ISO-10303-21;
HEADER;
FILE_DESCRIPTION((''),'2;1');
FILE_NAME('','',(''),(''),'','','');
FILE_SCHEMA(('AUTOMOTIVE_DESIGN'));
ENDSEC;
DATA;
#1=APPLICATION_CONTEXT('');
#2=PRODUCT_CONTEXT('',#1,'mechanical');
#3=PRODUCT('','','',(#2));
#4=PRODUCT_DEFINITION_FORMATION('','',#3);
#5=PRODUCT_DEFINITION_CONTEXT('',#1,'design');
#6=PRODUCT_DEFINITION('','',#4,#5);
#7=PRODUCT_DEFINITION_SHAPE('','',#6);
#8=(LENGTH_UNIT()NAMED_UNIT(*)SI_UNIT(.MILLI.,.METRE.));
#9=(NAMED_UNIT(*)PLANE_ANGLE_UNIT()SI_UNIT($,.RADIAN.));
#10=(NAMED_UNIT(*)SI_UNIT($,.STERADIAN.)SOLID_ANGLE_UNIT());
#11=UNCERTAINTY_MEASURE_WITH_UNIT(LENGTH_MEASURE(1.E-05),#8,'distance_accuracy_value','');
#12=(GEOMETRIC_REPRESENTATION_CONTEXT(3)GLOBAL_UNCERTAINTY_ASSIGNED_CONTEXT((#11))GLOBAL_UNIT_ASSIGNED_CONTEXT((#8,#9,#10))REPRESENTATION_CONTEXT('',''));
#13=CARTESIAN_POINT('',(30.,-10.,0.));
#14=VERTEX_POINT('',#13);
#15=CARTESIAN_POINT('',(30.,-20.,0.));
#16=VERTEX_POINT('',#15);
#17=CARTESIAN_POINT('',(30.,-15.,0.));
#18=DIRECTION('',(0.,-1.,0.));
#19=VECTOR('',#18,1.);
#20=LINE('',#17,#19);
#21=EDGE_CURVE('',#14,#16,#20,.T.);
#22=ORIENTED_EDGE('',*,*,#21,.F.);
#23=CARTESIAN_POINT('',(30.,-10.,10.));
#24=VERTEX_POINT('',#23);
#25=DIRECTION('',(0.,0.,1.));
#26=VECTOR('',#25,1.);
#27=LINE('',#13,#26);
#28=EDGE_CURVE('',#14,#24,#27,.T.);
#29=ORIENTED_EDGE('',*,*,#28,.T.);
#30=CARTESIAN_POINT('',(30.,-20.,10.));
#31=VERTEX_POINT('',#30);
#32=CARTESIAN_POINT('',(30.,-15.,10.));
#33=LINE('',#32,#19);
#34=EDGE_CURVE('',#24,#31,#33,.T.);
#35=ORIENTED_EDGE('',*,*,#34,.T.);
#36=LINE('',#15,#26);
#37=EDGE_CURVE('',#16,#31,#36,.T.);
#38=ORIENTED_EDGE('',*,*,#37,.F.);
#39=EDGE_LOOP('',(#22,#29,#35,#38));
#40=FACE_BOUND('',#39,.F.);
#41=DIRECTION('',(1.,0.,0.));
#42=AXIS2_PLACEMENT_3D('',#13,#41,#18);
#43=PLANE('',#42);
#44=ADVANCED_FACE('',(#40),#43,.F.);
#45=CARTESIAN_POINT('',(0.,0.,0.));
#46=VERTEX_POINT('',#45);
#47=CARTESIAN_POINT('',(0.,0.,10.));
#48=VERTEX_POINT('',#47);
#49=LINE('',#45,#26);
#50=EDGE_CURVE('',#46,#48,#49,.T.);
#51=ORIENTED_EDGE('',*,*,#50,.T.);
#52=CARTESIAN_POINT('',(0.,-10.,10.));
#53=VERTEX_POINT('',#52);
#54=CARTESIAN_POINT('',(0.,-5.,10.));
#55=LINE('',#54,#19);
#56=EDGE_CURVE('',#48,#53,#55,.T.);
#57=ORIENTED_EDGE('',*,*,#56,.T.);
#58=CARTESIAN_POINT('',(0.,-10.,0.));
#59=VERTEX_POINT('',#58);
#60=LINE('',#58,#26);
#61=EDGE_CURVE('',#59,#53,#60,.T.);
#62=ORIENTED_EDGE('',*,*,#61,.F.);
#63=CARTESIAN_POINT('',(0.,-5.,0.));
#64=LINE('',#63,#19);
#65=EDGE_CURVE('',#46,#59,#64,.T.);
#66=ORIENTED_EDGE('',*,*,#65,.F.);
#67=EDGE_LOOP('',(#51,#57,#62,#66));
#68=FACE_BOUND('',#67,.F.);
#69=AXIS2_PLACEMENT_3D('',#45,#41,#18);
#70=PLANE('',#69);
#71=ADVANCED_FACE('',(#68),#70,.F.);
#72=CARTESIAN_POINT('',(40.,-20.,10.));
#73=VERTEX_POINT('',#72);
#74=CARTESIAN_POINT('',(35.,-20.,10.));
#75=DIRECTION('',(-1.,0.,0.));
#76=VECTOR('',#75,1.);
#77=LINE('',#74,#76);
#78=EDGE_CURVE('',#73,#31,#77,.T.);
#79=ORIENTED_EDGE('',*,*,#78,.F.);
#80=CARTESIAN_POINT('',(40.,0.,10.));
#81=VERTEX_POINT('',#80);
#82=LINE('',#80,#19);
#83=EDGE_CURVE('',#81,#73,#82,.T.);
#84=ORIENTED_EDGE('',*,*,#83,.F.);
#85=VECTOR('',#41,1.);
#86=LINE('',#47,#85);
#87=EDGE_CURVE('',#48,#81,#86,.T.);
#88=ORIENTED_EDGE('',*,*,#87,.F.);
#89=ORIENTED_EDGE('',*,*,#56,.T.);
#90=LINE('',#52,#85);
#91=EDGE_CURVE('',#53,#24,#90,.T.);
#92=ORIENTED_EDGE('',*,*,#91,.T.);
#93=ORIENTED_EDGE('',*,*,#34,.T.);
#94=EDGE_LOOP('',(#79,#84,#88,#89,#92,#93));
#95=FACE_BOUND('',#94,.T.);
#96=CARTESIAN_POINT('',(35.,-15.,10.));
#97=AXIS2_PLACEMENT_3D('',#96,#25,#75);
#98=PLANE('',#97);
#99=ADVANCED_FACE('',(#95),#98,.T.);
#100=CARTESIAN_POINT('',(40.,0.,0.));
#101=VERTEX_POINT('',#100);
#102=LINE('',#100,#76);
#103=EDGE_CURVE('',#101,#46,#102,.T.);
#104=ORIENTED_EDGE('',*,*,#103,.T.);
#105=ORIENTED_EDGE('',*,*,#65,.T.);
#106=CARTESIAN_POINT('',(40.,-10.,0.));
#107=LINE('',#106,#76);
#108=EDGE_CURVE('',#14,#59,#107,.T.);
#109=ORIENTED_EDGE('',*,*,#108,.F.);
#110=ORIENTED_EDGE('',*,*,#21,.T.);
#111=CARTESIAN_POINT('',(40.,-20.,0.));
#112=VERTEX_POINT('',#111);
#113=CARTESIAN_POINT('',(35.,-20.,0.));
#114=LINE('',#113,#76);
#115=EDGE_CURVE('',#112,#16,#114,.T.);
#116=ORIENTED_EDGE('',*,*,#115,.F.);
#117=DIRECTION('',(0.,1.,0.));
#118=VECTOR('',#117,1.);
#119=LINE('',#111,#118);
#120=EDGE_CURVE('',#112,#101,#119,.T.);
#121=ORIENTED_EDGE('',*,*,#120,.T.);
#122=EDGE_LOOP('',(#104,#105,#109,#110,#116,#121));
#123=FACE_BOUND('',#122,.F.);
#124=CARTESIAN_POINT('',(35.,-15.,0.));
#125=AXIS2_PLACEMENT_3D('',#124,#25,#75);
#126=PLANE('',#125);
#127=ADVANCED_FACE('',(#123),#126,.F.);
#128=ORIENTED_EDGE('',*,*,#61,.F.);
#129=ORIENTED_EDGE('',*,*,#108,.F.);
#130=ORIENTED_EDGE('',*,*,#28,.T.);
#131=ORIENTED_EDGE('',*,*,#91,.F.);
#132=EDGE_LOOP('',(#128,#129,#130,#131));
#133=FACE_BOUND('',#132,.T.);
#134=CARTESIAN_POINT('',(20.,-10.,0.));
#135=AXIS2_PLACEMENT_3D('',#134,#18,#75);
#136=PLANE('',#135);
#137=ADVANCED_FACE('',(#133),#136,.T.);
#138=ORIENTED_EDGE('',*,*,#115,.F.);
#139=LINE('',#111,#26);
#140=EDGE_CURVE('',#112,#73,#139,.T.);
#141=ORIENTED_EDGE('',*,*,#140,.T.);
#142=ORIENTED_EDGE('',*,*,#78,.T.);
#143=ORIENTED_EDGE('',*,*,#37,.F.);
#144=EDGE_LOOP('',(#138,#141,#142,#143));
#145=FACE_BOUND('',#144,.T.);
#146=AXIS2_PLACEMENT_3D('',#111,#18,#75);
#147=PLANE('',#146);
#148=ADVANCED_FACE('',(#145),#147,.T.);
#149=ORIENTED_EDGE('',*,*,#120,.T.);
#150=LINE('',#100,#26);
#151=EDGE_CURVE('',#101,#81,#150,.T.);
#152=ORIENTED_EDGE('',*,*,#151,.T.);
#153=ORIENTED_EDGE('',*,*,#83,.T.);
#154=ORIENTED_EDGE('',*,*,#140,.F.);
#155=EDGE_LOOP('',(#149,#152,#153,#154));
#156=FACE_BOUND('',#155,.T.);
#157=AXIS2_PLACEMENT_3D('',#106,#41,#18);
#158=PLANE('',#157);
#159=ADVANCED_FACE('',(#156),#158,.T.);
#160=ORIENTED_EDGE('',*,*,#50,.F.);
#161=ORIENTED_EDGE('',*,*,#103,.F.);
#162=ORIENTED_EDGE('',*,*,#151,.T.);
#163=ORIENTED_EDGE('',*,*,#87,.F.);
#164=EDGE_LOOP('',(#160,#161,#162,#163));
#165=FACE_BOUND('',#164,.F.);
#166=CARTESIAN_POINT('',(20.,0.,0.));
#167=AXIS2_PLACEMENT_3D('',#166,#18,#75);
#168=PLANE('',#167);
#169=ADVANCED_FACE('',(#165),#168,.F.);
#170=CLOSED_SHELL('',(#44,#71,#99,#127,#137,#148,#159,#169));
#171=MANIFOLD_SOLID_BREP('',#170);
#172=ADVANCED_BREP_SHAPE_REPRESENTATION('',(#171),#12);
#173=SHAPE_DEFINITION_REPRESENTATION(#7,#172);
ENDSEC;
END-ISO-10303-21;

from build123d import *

# Parameters (mm, degrees)
BOX017_W                     = 10
BOX017_H                     = 10
BOX017_DEPTH                 = 10
BOX018_W                     = 10
BOX018_H                     = 10
BOX018_DEPTH                 = 10
BOX019_W                     = 10
BOX019_H                     = 10
BOX019_DEPTH                 = 10
BOX021_W                     = 10
BOX021_H                     = 10
BOX021_DEPTH                 = 10
BOX020_W                     = 10
BOX020_H                     = 10
BOX020_DEPTH                 = 10
FUSION002004_PLACEMENT_ANGLE = 180


with BuildPart() as cubo017:
    # Box017 → Box017 (new body)
    with BuildSketch(Plane(origin=(30, 0, 0), x_dir=(1, 0, 0), z_dir=(0, 0, 1))):
        with Locations((5, 5)):
            Rectangle(BOX017_W, BOX017_H)
    extrude(amount=BOX017_DEPTH)


with BuildPart() as cubo018:
    # Box018 → Box018 (new body)
    with BuildSketch(Plane(origin=(10, 0, 0), x_dir=(1, 0, 0), z_dir=(0, 0, 1))):
        with Locations((5, 5)):
            Rectangle(BOX018_W, BOX018_H)
    extrude(amount=BOX018_DEPTH)


with BuildPart() as cubo019:
    # Box019 → Box019 (new body)
    with BuildSketch(Plane(origin=(20, 0, 0), x_dir=(1, 0, 0), z_dir=(0, 0, 1))):
        with Locations((5, 5)):
            Rectangle(BOX019_W, BOX019_H)
    extrude(amount=BOX019_DEPTH)


with BuildPart() as cubo021:
    # Box021 → Box021 (new body)
    with BuildSketch(Plane(origin=(0, 10, 0), x_dir=(1, 0, 0), z_dir=(0, 0, 1))):
        with Locations((5, 5)):
            Rectangle(BOX021_W, BOX021_H)
    extrude(amount=BOX021_DEPTH)


with BuildPart() as fusion002004:
    # Box020 → Box020 (new body)
    with BuildSketch(Plane.XY):
        with Locations((5, 5)):
            Rectangle(BOX020_W, BOX020_H)
    extrude(amount=BOX020_DEPTH)

    # Fusion002004: union Cubo017, Cubo018, Cubo019, Cubo021
    add(cubo017.part)
    add(cubo018.part)
    add(cubo019.part)
    add(cubo021.part)


with BuildPart() as fusion002004_1:
    # Fusion002004 placement: moved
    add(fusion002004.part.moved(Location((40, 0, 0))).rotate(Axis((40, 0, 0), (0, 0, 1)), FUSION002004_PLACEMENT_ANGLE))


solid = fusion002004_1.part
